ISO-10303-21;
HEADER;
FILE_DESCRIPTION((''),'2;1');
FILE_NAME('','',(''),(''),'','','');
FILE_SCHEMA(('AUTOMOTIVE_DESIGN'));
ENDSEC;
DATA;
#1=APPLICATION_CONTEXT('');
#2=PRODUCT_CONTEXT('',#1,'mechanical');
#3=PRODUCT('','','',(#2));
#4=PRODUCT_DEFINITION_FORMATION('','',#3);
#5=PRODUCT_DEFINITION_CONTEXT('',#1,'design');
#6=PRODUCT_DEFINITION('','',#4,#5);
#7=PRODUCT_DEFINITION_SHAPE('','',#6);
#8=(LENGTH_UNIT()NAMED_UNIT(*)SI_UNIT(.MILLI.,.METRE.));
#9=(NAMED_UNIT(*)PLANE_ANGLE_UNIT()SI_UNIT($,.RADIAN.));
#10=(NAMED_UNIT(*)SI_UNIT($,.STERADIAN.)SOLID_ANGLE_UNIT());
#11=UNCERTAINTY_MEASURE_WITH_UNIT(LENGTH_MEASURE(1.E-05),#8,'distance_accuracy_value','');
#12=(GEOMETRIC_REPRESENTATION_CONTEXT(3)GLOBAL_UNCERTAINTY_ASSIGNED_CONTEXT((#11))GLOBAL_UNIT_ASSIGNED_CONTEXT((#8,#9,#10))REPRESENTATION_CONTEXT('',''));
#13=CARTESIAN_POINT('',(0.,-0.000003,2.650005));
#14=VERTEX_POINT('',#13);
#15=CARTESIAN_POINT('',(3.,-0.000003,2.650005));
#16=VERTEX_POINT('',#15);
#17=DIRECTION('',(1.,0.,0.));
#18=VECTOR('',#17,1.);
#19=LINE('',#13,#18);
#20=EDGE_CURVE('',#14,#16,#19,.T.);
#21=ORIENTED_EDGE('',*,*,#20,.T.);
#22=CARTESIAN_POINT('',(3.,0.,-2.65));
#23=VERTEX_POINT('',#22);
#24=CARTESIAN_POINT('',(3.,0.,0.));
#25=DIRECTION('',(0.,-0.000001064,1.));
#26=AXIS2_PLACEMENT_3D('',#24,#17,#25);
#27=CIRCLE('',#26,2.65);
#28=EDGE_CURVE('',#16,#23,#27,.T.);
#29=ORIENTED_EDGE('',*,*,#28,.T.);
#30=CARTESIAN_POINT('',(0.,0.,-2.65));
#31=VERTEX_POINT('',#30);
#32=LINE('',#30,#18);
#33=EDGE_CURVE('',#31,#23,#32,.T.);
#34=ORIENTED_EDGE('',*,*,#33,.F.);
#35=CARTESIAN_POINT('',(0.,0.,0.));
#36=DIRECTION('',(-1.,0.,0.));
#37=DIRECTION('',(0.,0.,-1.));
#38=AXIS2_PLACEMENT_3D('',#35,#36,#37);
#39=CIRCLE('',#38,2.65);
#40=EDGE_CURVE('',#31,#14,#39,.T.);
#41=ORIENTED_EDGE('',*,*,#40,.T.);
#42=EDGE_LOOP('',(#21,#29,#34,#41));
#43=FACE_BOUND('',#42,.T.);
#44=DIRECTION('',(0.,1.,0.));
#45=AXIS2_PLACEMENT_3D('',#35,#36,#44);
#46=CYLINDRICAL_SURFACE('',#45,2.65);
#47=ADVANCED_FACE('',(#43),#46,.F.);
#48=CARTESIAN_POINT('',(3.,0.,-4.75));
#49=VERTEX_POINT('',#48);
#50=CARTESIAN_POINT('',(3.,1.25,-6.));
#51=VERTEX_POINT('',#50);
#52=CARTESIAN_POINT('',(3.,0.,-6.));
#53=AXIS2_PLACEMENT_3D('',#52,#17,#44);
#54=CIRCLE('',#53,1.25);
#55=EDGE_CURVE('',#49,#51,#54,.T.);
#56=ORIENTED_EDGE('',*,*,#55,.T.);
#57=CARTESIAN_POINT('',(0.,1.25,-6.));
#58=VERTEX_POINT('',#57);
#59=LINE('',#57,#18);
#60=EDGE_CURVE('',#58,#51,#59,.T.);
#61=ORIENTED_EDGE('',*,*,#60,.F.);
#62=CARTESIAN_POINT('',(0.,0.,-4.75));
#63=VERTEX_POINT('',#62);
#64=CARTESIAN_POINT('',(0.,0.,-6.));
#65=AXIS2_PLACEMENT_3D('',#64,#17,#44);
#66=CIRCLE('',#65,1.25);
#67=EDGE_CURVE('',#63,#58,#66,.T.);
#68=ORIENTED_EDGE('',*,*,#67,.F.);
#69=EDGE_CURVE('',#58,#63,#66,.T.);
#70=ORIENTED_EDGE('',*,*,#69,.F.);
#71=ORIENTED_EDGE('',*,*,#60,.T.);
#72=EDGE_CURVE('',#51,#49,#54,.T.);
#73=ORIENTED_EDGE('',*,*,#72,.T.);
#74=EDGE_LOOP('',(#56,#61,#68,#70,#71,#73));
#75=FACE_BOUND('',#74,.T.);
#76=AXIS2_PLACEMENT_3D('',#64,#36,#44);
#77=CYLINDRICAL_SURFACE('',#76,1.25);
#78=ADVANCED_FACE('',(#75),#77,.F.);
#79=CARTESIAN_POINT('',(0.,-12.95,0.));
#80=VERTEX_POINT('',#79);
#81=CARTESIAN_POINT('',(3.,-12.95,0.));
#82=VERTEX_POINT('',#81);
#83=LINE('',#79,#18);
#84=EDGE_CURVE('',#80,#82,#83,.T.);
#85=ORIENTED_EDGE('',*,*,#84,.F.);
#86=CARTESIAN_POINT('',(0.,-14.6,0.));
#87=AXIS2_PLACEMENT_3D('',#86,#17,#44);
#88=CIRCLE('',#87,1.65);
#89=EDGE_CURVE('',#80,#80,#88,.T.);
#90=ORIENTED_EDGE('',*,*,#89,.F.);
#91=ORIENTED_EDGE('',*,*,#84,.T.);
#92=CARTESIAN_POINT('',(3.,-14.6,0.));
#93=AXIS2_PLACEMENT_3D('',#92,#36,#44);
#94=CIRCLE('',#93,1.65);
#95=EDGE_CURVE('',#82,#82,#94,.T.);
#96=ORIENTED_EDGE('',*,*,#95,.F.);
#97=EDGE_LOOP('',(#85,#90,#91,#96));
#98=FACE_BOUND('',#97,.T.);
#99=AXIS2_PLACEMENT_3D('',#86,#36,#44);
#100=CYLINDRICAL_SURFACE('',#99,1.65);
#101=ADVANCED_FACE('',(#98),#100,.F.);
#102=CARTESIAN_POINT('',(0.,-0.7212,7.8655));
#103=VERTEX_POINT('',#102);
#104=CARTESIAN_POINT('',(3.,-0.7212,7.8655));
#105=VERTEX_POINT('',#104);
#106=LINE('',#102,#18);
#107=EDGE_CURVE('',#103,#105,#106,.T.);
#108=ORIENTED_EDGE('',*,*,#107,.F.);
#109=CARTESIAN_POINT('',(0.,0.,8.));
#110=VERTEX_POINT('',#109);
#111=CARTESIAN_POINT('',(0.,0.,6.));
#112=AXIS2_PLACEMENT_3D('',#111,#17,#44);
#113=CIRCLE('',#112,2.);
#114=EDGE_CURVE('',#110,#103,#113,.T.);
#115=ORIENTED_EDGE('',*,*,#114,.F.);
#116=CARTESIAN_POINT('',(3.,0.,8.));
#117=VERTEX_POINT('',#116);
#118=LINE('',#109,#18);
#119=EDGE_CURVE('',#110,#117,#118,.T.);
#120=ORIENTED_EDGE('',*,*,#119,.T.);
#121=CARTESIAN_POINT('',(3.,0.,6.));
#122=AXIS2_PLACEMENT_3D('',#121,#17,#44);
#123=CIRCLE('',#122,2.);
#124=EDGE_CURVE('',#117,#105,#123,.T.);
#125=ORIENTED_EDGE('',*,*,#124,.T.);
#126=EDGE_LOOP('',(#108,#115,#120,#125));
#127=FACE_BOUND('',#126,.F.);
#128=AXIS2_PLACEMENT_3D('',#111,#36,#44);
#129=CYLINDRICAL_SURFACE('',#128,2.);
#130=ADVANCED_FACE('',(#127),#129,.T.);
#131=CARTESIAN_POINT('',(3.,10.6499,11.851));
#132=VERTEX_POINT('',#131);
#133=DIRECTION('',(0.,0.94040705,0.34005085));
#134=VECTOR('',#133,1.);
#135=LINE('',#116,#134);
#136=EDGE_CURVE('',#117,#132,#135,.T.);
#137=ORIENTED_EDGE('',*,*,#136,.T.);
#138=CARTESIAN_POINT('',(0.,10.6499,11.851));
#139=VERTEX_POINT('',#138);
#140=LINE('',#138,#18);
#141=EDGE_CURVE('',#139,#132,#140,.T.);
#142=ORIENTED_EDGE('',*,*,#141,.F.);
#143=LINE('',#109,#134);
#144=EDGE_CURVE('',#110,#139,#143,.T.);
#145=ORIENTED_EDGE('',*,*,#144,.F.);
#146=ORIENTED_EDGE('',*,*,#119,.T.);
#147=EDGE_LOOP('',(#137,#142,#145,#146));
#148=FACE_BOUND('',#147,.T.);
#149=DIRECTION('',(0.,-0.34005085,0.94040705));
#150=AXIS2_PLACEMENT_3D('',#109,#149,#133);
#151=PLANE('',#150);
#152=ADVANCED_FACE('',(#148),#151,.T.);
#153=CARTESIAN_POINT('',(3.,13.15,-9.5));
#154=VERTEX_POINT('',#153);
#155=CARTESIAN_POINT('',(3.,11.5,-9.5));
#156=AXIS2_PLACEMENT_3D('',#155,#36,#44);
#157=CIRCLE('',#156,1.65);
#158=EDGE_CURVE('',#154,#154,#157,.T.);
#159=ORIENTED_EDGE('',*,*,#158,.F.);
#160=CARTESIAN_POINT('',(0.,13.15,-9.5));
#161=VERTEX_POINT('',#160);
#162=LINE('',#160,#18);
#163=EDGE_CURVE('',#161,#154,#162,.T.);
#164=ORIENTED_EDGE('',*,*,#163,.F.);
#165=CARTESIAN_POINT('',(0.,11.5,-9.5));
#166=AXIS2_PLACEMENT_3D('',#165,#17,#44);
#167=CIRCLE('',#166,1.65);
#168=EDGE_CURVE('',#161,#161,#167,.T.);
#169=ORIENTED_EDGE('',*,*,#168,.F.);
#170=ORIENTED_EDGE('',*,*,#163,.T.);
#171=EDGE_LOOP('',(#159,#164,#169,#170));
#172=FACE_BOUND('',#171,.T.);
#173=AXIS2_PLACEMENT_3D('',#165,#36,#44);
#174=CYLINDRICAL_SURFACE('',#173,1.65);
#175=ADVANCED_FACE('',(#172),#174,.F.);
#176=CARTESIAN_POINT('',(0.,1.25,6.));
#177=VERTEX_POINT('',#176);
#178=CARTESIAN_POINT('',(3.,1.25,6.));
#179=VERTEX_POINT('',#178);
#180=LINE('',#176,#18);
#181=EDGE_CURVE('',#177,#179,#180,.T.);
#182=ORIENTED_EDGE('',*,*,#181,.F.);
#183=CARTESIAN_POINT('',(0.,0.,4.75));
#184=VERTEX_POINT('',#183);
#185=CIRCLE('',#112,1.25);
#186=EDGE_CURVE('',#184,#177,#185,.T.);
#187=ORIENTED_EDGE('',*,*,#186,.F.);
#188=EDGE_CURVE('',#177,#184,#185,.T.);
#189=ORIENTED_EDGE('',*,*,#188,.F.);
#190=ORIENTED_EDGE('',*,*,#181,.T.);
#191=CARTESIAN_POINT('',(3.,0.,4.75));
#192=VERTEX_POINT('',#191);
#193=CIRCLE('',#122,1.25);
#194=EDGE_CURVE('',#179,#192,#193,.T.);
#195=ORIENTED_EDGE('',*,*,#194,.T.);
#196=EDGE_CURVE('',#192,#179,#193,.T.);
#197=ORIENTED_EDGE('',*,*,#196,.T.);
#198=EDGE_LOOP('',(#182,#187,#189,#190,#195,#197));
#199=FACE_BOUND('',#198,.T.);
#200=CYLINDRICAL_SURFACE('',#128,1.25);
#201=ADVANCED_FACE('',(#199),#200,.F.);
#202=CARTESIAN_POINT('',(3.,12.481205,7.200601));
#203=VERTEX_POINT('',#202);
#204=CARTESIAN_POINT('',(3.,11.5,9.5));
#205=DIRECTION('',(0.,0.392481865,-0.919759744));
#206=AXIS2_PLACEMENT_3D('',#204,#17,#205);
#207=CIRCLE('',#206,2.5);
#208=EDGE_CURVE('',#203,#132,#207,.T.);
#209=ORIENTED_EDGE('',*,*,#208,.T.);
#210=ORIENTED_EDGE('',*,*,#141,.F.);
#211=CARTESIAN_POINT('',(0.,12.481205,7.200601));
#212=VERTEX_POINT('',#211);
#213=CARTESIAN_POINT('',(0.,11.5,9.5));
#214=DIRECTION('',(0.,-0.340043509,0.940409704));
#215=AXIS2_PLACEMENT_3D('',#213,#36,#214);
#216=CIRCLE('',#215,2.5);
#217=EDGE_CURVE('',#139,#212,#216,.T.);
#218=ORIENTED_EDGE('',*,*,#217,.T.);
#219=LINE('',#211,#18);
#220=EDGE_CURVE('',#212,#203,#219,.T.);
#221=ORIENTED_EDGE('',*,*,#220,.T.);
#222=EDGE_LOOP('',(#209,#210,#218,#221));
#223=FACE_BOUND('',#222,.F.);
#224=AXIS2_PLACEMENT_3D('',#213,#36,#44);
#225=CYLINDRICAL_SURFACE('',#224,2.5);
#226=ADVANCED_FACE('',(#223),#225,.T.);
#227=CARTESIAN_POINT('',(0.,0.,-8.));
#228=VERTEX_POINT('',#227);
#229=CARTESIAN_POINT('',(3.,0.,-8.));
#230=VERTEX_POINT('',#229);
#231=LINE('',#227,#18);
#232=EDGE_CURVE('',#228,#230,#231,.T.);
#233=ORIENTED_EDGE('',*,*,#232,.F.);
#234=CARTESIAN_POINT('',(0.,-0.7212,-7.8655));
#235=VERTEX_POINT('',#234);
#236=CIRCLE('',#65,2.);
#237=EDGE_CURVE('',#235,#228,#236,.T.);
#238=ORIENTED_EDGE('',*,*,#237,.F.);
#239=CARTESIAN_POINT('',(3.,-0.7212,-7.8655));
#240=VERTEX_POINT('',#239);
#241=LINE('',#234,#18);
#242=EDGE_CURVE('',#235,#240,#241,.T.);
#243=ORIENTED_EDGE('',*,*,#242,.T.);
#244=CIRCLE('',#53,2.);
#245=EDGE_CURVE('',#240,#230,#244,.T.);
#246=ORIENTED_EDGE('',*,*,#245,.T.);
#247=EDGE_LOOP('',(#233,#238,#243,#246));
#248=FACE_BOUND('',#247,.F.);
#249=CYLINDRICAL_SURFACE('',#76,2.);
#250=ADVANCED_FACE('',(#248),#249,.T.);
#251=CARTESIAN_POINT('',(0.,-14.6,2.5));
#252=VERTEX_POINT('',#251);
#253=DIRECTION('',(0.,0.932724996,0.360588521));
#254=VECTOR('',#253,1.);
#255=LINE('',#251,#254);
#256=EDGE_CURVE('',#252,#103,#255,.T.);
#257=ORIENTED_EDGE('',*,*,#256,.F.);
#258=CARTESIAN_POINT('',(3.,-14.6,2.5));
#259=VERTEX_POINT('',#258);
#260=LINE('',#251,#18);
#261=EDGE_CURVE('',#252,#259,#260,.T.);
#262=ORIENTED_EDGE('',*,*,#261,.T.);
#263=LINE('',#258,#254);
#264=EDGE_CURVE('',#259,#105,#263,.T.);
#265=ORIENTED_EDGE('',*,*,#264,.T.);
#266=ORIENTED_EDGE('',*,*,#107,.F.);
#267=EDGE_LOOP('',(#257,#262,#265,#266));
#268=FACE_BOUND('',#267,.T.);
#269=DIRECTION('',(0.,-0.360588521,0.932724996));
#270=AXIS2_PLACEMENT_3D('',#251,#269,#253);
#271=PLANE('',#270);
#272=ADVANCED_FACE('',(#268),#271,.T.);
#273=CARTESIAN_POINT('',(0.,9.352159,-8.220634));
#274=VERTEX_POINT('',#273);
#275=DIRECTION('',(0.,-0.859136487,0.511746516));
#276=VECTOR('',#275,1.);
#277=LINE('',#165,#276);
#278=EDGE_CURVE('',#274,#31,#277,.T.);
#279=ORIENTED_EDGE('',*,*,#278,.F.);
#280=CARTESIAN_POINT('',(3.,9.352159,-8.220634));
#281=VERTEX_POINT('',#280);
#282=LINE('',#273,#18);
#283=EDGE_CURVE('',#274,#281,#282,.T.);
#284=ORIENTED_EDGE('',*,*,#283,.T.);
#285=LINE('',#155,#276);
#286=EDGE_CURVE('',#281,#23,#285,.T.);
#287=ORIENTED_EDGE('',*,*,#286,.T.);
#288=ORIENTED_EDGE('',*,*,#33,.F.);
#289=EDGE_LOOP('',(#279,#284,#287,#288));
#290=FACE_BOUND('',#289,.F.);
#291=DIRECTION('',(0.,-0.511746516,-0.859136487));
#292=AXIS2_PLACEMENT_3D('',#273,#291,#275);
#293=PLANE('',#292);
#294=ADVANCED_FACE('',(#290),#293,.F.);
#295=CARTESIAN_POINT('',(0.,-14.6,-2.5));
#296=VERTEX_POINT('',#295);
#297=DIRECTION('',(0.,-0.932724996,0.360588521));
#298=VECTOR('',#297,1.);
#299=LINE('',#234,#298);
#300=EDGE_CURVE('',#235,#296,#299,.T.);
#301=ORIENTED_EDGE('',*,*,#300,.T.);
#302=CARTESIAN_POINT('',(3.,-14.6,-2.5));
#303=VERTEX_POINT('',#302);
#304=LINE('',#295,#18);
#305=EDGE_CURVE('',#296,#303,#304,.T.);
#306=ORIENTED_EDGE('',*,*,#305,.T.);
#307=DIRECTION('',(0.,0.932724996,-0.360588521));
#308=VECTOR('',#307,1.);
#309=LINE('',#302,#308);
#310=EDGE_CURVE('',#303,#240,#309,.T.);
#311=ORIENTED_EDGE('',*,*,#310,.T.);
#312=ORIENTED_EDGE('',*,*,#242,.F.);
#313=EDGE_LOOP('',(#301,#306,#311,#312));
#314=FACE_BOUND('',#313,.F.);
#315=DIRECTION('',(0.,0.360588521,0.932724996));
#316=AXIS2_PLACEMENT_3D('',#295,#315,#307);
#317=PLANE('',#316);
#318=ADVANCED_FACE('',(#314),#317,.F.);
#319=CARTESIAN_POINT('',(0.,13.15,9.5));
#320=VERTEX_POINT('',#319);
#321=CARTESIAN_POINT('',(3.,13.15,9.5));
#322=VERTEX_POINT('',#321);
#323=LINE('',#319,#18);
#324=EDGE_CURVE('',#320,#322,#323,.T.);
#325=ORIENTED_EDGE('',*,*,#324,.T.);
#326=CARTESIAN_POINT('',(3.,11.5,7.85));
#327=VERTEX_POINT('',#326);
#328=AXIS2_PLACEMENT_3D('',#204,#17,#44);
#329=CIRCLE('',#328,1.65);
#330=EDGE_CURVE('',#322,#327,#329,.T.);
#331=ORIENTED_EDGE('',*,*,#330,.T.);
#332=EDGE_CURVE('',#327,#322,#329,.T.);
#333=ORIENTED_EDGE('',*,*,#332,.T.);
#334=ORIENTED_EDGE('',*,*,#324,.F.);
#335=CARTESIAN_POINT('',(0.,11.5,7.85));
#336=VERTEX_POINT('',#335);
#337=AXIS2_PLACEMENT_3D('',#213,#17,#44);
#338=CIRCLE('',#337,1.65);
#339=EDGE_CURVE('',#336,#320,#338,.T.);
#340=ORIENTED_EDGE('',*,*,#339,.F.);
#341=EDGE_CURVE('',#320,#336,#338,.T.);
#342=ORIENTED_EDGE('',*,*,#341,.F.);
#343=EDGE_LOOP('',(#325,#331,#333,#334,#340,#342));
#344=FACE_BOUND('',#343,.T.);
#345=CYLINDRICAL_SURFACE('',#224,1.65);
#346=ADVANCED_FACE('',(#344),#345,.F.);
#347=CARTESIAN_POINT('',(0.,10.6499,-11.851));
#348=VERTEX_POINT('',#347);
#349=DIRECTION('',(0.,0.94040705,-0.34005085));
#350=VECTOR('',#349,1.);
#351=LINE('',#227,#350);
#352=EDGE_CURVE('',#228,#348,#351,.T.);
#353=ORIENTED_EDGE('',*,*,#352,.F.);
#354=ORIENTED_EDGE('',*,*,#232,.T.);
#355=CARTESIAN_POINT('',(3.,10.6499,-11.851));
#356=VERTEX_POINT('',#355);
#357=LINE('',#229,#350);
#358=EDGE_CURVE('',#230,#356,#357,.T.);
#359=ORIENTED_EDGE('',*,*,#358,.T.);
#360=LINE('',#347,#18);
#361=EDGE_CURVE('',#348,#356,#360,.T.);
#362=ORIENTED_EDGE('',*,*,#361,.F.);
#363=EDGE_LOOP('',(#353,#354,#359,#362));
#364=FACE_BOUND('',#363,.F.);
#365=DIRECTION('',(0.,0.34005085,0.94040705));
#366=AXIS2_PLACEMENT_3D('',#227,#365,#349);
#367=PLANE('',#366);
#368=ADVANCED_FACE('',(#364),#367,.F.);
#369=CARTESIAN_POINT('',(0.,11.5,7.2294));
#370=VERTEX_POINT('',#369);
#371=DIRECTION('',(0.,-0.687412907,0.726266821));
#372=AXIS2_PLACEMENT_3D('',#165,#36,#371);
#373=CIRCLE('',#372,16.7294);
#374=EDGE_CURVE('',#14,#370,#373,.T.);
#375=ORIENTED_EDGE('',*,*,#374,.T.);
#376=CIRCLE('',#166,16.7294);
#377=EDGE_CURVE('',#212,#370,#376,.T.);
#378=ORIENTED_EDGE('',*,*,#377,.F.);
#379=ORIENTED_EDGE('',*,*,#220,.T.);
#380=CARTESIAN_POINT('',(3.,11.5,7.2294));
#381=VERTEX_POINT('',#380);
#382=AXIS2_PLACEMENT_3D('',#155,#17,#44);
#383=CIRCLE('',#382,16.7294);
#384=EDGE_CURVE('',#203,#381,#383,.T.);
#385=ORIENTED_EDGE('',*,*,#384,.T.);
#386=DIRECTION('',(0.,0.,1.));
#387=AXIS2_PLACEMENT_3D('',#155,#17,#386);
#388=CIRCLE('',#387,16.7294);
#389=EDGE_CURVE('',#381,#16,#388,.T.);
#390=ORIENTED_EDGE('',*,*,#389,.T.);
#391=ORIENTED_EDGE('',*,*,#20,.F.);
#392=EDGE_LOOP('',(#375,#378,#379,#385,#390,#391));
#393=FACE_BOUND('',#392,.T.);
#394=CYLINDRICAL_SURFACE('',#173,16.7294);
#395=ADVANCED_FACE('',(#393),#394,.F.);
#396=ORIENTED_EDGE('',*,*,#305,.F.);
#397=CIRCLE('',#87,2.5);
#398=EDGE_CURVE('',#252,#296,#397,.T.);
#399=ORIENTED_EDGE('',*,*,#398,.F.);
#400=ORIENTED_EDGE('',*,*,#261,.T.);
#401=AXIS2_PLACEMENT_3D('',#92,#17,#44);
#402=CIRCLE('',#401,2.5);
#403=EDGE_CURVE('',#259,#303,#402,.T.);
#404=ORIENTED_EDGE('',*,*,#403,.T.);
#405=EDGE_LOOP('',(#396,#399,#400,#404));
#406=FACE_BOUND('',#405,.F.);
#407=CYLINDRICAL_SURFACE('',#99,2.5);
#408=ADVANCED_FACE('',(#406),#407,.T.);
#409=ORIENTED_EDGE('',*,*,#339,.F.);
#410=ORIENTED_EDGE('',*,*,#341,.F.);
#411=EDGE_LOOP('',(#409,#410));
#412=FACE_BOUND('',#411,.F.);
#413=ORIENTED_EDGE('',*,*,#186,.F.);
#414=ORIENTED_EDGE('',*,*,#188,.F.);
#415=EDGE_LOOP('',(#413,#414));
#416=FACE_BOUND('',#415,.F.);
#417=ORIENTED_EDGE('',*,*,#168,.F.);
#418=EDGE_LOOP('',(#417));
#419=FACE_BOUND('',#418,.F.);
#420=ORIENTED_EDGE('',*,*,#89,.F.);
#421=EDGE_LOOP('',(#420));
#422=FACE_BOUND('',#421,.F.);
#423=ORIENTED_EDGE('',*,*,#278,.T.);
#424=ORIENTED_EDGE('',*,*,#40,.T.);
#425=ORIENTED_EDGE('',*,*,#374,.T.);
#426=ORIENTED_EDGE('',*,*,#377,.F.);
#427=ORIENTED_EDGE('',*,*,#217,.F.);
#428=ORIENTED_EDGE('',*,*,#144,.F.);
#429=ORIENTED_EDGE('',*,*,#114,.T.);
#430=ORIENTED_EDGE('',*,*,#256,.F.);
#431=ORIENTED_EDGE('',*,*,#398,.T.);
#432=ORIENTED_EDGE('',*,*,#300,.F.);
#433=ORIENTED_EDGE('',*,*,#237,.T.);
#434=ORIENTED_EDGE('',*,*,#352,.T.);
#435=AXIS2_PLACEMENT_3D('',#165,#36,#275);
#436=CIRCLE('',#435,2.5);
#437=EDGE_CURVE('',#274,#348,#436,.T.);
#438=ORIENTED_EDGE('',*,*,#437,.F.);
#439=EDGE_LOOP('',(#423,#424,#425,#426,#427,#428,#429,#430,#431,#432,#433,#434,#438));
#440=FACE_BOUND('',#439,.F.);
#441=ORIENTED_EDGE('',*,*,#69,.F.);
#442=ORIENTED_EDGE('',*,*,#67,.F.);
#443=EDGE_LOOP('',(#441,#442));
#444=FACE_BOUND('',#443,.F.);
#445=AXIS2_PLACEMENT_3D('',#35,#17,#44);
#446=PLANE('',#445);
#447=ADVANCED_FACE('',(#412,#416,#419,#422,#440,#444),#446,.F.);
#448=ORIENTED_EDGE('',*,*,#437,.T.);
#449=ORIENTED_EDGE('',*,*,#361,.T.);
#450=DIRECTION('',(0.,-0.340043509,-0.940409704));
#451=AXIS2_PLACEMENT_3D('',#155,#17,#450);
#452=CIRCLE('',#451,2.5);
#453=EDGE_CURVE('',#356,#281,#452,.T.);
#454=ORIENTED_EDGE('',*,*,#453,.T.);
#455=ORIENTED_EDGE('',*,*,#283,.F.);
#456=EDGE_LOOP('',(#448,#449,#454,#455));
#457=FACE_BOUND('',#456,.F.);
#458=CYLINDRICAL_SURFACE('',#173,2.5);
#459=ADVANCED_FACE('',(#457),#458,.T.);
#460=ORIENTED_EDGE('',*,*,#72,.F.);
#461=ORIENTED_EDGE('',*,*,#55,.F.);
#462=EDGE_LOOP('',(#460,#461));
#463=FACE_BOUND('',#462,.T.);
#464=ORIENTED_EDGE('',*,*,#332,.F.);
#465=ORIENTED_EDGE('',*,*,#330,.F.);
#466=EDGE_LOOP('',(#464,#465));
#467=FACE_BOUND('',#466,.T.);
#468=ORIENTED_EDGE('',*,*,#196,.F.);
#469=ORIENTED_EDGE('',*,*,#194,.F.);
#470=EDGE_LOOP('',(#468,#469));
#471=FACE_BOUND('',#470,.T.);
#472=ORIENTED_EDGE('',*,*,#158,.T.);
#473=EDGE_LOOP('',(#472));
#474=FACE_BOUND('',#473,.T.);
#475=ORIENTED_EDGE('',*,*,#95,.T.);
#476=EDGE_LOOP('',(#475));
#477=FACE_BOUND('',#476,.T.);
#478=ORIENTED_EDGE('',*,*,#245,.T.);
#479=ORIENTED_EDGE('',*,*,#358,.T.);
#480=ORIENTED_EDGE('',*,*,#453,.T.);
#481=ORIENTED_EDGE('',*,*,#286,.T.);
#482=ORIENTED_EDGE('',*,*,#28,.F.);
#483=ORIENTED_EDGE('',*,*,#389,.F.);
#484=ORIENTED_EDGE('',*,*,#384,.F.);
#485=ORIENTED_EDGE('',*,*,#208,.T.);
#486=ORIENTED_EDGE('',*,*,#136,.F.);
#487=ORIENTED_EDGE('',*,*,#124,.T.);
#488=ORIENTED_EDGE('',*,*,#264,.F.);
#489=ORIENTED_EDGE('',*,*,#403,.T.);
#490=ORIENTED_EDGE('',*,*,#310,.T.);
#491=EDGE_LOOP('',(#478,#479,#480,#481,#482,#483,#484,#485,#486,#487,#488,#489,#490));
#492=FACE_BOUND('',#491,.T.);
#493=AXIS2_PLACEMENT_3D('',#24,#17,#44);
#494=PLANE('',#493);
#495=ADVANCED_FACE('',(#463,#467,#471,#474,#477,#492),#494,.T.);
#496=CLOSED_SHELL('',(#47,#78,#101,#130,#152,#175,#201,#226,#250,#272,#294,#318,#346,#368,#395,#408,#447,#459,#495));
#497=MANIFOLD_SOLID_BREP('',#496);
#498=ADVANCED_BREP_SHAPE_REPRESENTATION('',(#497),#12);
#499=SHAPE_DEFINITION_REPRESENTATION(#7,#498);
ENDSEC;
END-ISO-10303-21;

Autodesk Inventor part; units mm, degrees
ref_plane "YZ Plane" through (0, 0, 0) normal (1, 0, 0) x (0, 1, 0)
ref_plane "XZ Plane" through (0, 0, 0) normal (0, 1, 0) x (-1, 0, 0)
ref_plane "XY Plane" through (0, 0, 0) normal (0, 0, 1) x (1, 0, 0)
sketch "スケッチ1" plane through (0, 0, 0) normal (1, 0, 0) x (0, 1, 0)
  line L0 (0, 0) -> (0, 6)
  line L1 (0, 6) -> (0, -6)
  line L2 (0, 0) -> (11.5, 0)
  line L3 (11.5, 0) -> (11.5, 9.5)
  line L4 (11.5, 9.5) -> (11.5, -9.5)
  circle A0 centre (0, 6) radius 1.25
  circle A1 centre (0, -6) radius 1.25
  circle A2 centre (11.5, 9.5) radius 1.65
  circle A3 centre (11.5, -9.5) radius 1.65
  circle A4 centre (11.5, 9.5) radius 2.5
  circle A5 centre (11.5, -9.5) radius 2.5
  circle A6 centre (0, 0) radius 2.65
  line L5 (0, 0) -> (-14.6, 0)
  circle A7 centre (-14.6, 0) radius 1.65
  circle A8 centre (-14.6, 0) radius 2.5
  circle A9 centre (0, 6) radius 2
  circle A10 centre (0, -6) radius 2
  line L6 (0, 8) -> (10.6499, 11.851)
  line L7 (0, -8) -> (10.6499, -11.851)
  line L8 (-14.6, 0) -> (-14.6, -2.5)
  line L9 (-14.6, 0) -> (-12.1, 0) construction
  line L10 (-14.6, -2.5) -> (-14.6, 2.5)
  line L11 (-14.6, -2.5) -> (-0.7212, -7.8655)
  line L12 (-14.6, 2.5) -> (-0.7212, 7.8655)
  circle A11 centre (11.5, -9.5) radius 14.9164
  line L13 (11.5, -9.5) -> (0, 0)
  line L14 (11.5, -9.5) -> (0, -2.65)
  line L15 (14, 9.5) -> (14, 6.6979)
  circle A12 centre (11.5, -9.5) radius 16.7294
  point P0 (9.3522, -8.2206)
  point P1 (0, 2.65)
  point P2 (12.4812, 7.2006)
  dimension "d9" = 5
  dimension "d10" = 5.3
  dimension "d0" = 6
  dimension "d1" = 12
  dimension "d2" = 11.5
  dimension "d3" = 9.5
  dimension "d4" = 19
  dimension "d5" = 2.5
  dimension "d6" = 3.3
  dimension "d7" = 3.3
  dimension "d8" = 5
  dimension "d11" = 14.6
  dimension "d12" = 3.3
  dimension "d13" = 5
  dimension "d14" = 4
  dimension "d15" = 4
  dimension "d16" = 90
extrude "押し出し2" add sketch "スケッチ1" along normal blind 3 contours A6 L5 A8 L12 A9 L0 | L0 A9 L6 A4 A12 | L14 A5 L7 A10 L1 | L1 A10 L11 A11 A6 | A11 L11 A12 A6 | A9 | A6 A12 L11 A8 L5 | A4 A12 | A10 | L14 A3 L4 A5 | A5 L13 A3 L14 | A5 L4 A3 L13 | A8 L8 A7 L5 | L5 A7 L10 A8 | L10 A7 L8 A8
properties part number "ikafly2b"
